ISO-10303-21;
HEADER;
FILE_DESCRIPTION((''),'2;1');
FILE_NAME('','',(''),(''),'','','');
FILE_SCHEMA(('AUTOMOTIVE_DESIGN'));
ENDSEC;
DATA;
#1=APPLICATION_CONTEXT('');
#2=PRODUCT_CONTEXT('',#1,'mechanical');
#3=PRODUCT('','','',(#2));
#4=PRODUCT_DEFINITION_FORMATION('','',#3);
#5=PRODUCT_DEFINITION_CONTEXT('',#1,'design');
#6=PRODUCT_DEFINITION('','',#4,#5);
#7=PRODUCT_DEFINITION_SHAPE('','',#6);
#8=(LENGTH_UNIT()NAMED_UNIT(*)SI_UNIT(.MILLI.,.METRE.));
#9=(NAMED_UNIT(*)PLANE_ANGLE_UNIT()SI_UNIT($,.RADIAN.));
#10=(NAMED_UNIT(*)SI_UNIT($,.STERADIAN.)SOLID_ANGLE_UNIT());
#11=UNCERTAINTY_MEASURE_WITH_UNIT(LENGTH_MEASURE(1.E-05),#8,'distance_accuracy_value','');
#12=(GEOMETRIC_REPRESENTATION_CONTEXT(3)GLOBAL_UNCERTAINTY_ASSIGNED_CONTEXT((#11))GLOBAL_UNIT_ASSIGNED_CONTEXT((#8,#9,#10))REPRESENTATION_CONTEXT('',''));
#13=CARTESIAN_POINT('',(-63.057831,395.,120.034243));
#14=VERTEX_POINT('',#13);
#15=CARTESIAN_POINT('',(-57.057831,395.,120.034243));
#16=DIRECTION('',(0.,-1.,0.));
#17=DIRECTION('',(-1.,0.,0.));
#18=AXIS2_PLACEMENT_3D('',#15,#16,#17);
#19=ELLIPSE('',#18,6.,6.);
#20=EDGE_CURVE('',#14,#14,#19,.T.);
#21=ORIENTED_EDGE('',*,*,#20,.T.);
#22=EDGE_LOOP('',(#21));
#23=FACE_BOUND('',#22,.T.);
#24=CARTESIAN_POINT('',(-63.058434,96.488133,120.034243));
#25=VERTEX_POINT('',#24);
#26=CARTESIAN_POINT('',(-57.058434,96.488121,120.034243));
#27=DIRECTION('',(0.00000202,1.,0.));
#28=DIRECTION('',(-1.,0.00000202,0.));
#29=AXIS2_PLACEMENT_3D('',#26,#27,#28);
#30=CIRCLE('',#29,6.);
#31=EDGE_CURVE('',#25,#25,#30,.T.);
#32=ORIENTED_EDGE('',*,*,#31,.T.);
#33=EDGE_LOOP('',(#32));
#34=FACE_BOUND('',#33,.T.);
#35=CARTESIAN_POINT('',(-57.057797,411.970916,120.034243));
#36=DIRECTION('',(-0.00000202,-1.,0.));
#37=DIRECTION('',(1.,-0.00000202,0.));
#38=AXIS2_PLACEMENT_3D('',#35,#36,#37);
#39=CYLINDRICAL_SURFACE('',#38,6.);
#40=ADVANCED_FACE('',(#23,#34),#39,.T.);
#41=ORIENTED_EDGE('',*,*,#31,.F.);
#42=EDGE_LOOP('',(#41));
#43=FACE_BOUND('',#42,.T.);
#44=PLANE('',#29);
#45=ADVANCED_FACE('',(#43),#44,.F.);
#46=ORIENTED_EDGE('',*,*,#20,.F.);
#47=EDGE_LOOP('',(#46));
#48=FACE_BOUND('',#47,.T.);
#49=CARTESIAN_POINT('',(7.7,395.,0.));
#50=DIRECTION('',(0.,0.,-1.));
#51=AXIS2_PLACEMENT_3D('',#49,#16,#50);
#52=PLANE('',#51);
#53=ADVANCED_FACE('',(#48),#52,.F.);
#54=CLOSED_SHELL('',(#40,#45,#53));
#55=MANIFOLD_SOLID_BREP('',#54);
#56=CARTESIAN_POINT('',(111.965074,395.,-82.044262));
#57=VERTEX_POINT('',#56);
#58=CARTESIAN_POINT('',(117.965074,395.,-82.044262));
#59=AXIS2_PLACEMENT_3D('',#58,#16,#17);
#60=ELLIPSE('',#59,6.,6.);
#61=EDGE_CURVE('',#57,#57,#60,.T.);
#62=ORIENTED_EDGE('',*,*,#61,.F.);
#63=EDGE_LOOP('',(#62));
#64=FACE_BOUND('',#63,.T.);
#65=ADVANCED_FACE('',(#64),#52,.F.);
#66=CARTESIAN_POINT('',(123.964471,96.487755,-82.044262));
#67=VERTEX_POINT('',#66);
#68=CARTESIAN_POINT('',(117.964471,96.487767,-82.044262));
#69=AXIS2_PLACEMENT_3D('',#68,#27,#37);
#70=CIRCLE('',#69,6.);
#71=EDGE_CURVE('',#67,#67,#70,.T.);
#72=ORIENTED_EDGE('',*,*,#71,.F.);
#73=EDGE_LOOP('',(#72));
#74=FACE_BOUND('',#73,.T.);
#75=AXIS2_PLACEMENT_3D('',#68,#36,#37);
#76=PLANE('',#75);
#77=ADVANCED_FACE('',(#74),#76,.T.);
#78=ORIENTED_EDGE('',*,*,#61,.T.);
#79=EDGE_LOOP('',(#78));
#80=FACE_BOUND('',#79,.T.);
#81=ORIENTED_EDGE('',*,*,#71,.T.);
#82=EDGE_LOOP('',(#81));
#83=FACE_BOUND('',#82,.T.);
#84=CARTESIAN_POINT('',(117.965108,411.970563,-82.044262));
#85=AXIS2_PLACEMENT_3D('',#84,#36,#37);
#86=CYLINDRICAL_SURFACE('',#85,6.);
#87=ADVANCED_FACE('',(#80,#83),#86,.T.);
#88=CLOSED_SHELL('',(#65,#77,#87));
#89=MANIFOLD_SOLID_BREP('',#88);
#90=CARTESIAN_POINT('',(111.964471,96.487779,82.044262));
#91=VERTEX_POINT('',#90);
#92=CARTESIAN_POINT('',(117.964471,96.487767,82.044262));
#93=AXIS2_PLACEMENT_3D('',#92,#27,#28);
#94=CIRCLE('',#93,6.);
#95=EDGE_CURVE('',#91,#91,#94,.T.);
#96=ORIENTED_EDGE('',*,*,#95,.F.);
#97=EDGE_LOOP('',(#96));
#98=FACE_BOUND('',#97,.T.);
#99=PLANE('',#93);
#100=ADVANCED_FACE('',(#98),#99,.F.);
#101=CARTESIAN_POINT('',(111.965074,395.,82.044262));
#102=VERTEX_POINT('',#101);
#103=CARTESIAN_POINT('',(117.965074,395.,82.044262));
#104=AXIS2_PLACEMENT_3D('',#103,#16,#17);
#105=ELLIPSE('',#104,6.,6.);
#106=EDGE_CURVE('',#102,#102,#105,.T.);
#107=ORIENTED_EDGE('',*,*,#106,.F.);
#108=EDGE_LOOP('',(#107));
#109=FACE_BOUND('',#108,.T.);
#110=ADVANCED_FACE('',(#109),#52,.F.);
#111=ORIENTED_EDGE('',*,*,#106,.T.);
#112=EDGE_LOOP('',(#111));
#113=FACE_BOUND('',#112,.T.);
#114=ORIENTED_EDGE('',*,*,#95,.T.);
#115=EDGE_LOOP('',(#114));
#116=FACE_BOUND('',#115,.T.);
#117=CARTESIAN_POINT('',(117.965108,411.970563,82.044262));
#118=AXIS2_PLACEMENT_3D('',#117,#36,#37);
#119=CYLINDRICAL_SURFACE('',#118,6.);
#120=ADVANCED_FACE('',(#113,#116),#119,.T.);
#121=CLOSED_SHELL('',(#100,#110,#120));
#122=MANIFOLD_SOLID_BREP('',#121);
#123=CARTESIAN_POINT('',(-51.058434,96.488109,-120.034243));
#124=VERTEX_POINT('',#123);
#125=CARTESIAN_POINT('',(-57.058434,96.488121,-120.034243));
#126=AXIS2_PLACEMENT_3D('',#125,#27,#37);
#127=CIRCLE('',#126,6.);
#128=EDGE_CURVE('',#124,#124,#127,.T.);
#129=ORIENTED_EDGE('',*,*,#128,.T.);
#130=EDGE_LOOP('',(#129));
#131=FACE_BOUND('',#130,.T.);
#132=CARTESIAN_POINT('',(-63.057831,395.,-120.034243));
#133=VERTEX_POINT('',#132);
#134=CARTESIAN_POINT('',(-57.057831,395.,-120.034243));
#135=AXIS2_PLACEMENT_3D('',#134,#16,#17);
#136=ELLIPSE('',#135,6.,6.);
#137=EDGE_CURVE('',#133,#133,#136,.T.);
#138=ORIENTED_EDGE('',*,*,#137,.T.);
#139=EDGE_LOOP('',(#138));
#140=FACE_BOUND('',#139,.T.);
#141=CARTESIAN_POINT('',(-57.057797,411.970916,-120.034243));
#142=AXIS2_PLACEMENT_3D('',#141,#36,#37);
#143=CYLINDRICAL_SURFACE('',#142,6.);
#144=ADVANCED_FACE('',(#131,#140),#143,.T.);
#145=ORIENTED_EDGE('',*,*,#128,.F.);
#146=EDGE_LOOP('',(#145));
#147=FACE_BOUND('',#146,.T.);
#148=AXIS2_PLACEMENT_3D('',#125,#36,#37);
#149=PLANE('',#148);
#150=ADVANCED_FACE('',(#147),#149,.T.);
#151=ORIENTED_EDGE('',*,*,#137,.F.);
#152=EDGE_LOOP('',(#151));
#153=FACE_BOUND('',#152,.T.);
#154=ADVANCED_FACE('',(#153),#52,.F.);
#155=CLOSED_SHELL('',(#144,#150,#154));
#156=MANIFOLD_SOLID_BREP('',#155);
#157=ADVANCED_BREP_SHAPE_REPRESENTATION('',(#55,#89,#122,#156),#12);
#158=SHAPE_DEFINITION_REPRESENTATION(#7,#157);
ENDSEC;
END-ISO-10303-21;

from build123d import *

# Parameters (mm, degrees)
SKETCH2_R             = 6
BOSS_EXTRUDE2_DEPTH   = 298.511867092
BOSS_EXTRUDE2_2_DEPTH = 298.511867092
BOSS_EXTRUDE2_3_DEPTH = 298.511867092
BOSS_EXTRUDE2_4_DEPTH = 298.511867092


with BuildPart() as part:
    # Sketch2 → Boss-Extrude2 (new body)
    with BuildSketch(Plane(origin=(0.000194926, 96.488005517, 0), x_dir=(0.9999999999979595, -2.0202115698660515e-06, 0), z_dir=(2.0202115698660515e-06, 0.9999999999979595, 0))):
        with Locations(Location((-57.058628867, -120.034242926, 0), (0, 0, 180.000000006))):
            Circle(SKETCH2_R)
    extrude(amount=BOSS_EXTRUDE2_DEPTH)


with BuildPart() as body_2:
    # Sketch2 → Boss-Extrude2 2 (new body)
    with BuildSketch(Plane(origin=(0.000194926, 96.488005517, 0), x_dir=(0.9999999999979595, -2.0202115698660515e-06, 0), z_dir=(2.0202115698660515e-06, 0.9999999999979595, 0))):
        with Locations(Location((117.964276061, -82.044262058, 0), (0, 0, 180.000000006))):
            Circle(SKETCH2_R)
    extrude(amount=BOSS_EXTRUDE2_2_DEPTH)


with BuildPart() as body_3:
    # Sketch2 → Boss-Extrude2 3 (new body)
    with BuildSketch(Plane(origin=(0.000194926, 96.488005517, 0), x_dir=(0.9999999999979595, -2.0202115698660515e-06, 0), z_dir=(2.0202115698660515e-06, 0.9999999999979595, 0))):
        with Locations((117.964276061, 82.044262058)):
            Circle(SKETCH2_R)
    extrude(amount=BOSS_EXTRUDE2_3_DEPTH)


with BuildPart() as body_4:
    # Sketch2 → Boss-Extrude2 4 (new body)
    with BuildSketch(Plane(origin=(0.000194926, 96.488005517, 0), x_dir=(0.9999999999979595, -2.0202115698660515e-06, 0), z_dir=(2.0202115698660515e-06, 0.9999999999979595, 0))):
        with Locations((-57.058628867, 120.034242926)):
            Circle(SKETCH2_R)
    extrude(amount=BOSS_EXTRUDE2_4_DEPTH)


solid = Compound([part.part, body_2.part, body_3.part, body_4.part])
